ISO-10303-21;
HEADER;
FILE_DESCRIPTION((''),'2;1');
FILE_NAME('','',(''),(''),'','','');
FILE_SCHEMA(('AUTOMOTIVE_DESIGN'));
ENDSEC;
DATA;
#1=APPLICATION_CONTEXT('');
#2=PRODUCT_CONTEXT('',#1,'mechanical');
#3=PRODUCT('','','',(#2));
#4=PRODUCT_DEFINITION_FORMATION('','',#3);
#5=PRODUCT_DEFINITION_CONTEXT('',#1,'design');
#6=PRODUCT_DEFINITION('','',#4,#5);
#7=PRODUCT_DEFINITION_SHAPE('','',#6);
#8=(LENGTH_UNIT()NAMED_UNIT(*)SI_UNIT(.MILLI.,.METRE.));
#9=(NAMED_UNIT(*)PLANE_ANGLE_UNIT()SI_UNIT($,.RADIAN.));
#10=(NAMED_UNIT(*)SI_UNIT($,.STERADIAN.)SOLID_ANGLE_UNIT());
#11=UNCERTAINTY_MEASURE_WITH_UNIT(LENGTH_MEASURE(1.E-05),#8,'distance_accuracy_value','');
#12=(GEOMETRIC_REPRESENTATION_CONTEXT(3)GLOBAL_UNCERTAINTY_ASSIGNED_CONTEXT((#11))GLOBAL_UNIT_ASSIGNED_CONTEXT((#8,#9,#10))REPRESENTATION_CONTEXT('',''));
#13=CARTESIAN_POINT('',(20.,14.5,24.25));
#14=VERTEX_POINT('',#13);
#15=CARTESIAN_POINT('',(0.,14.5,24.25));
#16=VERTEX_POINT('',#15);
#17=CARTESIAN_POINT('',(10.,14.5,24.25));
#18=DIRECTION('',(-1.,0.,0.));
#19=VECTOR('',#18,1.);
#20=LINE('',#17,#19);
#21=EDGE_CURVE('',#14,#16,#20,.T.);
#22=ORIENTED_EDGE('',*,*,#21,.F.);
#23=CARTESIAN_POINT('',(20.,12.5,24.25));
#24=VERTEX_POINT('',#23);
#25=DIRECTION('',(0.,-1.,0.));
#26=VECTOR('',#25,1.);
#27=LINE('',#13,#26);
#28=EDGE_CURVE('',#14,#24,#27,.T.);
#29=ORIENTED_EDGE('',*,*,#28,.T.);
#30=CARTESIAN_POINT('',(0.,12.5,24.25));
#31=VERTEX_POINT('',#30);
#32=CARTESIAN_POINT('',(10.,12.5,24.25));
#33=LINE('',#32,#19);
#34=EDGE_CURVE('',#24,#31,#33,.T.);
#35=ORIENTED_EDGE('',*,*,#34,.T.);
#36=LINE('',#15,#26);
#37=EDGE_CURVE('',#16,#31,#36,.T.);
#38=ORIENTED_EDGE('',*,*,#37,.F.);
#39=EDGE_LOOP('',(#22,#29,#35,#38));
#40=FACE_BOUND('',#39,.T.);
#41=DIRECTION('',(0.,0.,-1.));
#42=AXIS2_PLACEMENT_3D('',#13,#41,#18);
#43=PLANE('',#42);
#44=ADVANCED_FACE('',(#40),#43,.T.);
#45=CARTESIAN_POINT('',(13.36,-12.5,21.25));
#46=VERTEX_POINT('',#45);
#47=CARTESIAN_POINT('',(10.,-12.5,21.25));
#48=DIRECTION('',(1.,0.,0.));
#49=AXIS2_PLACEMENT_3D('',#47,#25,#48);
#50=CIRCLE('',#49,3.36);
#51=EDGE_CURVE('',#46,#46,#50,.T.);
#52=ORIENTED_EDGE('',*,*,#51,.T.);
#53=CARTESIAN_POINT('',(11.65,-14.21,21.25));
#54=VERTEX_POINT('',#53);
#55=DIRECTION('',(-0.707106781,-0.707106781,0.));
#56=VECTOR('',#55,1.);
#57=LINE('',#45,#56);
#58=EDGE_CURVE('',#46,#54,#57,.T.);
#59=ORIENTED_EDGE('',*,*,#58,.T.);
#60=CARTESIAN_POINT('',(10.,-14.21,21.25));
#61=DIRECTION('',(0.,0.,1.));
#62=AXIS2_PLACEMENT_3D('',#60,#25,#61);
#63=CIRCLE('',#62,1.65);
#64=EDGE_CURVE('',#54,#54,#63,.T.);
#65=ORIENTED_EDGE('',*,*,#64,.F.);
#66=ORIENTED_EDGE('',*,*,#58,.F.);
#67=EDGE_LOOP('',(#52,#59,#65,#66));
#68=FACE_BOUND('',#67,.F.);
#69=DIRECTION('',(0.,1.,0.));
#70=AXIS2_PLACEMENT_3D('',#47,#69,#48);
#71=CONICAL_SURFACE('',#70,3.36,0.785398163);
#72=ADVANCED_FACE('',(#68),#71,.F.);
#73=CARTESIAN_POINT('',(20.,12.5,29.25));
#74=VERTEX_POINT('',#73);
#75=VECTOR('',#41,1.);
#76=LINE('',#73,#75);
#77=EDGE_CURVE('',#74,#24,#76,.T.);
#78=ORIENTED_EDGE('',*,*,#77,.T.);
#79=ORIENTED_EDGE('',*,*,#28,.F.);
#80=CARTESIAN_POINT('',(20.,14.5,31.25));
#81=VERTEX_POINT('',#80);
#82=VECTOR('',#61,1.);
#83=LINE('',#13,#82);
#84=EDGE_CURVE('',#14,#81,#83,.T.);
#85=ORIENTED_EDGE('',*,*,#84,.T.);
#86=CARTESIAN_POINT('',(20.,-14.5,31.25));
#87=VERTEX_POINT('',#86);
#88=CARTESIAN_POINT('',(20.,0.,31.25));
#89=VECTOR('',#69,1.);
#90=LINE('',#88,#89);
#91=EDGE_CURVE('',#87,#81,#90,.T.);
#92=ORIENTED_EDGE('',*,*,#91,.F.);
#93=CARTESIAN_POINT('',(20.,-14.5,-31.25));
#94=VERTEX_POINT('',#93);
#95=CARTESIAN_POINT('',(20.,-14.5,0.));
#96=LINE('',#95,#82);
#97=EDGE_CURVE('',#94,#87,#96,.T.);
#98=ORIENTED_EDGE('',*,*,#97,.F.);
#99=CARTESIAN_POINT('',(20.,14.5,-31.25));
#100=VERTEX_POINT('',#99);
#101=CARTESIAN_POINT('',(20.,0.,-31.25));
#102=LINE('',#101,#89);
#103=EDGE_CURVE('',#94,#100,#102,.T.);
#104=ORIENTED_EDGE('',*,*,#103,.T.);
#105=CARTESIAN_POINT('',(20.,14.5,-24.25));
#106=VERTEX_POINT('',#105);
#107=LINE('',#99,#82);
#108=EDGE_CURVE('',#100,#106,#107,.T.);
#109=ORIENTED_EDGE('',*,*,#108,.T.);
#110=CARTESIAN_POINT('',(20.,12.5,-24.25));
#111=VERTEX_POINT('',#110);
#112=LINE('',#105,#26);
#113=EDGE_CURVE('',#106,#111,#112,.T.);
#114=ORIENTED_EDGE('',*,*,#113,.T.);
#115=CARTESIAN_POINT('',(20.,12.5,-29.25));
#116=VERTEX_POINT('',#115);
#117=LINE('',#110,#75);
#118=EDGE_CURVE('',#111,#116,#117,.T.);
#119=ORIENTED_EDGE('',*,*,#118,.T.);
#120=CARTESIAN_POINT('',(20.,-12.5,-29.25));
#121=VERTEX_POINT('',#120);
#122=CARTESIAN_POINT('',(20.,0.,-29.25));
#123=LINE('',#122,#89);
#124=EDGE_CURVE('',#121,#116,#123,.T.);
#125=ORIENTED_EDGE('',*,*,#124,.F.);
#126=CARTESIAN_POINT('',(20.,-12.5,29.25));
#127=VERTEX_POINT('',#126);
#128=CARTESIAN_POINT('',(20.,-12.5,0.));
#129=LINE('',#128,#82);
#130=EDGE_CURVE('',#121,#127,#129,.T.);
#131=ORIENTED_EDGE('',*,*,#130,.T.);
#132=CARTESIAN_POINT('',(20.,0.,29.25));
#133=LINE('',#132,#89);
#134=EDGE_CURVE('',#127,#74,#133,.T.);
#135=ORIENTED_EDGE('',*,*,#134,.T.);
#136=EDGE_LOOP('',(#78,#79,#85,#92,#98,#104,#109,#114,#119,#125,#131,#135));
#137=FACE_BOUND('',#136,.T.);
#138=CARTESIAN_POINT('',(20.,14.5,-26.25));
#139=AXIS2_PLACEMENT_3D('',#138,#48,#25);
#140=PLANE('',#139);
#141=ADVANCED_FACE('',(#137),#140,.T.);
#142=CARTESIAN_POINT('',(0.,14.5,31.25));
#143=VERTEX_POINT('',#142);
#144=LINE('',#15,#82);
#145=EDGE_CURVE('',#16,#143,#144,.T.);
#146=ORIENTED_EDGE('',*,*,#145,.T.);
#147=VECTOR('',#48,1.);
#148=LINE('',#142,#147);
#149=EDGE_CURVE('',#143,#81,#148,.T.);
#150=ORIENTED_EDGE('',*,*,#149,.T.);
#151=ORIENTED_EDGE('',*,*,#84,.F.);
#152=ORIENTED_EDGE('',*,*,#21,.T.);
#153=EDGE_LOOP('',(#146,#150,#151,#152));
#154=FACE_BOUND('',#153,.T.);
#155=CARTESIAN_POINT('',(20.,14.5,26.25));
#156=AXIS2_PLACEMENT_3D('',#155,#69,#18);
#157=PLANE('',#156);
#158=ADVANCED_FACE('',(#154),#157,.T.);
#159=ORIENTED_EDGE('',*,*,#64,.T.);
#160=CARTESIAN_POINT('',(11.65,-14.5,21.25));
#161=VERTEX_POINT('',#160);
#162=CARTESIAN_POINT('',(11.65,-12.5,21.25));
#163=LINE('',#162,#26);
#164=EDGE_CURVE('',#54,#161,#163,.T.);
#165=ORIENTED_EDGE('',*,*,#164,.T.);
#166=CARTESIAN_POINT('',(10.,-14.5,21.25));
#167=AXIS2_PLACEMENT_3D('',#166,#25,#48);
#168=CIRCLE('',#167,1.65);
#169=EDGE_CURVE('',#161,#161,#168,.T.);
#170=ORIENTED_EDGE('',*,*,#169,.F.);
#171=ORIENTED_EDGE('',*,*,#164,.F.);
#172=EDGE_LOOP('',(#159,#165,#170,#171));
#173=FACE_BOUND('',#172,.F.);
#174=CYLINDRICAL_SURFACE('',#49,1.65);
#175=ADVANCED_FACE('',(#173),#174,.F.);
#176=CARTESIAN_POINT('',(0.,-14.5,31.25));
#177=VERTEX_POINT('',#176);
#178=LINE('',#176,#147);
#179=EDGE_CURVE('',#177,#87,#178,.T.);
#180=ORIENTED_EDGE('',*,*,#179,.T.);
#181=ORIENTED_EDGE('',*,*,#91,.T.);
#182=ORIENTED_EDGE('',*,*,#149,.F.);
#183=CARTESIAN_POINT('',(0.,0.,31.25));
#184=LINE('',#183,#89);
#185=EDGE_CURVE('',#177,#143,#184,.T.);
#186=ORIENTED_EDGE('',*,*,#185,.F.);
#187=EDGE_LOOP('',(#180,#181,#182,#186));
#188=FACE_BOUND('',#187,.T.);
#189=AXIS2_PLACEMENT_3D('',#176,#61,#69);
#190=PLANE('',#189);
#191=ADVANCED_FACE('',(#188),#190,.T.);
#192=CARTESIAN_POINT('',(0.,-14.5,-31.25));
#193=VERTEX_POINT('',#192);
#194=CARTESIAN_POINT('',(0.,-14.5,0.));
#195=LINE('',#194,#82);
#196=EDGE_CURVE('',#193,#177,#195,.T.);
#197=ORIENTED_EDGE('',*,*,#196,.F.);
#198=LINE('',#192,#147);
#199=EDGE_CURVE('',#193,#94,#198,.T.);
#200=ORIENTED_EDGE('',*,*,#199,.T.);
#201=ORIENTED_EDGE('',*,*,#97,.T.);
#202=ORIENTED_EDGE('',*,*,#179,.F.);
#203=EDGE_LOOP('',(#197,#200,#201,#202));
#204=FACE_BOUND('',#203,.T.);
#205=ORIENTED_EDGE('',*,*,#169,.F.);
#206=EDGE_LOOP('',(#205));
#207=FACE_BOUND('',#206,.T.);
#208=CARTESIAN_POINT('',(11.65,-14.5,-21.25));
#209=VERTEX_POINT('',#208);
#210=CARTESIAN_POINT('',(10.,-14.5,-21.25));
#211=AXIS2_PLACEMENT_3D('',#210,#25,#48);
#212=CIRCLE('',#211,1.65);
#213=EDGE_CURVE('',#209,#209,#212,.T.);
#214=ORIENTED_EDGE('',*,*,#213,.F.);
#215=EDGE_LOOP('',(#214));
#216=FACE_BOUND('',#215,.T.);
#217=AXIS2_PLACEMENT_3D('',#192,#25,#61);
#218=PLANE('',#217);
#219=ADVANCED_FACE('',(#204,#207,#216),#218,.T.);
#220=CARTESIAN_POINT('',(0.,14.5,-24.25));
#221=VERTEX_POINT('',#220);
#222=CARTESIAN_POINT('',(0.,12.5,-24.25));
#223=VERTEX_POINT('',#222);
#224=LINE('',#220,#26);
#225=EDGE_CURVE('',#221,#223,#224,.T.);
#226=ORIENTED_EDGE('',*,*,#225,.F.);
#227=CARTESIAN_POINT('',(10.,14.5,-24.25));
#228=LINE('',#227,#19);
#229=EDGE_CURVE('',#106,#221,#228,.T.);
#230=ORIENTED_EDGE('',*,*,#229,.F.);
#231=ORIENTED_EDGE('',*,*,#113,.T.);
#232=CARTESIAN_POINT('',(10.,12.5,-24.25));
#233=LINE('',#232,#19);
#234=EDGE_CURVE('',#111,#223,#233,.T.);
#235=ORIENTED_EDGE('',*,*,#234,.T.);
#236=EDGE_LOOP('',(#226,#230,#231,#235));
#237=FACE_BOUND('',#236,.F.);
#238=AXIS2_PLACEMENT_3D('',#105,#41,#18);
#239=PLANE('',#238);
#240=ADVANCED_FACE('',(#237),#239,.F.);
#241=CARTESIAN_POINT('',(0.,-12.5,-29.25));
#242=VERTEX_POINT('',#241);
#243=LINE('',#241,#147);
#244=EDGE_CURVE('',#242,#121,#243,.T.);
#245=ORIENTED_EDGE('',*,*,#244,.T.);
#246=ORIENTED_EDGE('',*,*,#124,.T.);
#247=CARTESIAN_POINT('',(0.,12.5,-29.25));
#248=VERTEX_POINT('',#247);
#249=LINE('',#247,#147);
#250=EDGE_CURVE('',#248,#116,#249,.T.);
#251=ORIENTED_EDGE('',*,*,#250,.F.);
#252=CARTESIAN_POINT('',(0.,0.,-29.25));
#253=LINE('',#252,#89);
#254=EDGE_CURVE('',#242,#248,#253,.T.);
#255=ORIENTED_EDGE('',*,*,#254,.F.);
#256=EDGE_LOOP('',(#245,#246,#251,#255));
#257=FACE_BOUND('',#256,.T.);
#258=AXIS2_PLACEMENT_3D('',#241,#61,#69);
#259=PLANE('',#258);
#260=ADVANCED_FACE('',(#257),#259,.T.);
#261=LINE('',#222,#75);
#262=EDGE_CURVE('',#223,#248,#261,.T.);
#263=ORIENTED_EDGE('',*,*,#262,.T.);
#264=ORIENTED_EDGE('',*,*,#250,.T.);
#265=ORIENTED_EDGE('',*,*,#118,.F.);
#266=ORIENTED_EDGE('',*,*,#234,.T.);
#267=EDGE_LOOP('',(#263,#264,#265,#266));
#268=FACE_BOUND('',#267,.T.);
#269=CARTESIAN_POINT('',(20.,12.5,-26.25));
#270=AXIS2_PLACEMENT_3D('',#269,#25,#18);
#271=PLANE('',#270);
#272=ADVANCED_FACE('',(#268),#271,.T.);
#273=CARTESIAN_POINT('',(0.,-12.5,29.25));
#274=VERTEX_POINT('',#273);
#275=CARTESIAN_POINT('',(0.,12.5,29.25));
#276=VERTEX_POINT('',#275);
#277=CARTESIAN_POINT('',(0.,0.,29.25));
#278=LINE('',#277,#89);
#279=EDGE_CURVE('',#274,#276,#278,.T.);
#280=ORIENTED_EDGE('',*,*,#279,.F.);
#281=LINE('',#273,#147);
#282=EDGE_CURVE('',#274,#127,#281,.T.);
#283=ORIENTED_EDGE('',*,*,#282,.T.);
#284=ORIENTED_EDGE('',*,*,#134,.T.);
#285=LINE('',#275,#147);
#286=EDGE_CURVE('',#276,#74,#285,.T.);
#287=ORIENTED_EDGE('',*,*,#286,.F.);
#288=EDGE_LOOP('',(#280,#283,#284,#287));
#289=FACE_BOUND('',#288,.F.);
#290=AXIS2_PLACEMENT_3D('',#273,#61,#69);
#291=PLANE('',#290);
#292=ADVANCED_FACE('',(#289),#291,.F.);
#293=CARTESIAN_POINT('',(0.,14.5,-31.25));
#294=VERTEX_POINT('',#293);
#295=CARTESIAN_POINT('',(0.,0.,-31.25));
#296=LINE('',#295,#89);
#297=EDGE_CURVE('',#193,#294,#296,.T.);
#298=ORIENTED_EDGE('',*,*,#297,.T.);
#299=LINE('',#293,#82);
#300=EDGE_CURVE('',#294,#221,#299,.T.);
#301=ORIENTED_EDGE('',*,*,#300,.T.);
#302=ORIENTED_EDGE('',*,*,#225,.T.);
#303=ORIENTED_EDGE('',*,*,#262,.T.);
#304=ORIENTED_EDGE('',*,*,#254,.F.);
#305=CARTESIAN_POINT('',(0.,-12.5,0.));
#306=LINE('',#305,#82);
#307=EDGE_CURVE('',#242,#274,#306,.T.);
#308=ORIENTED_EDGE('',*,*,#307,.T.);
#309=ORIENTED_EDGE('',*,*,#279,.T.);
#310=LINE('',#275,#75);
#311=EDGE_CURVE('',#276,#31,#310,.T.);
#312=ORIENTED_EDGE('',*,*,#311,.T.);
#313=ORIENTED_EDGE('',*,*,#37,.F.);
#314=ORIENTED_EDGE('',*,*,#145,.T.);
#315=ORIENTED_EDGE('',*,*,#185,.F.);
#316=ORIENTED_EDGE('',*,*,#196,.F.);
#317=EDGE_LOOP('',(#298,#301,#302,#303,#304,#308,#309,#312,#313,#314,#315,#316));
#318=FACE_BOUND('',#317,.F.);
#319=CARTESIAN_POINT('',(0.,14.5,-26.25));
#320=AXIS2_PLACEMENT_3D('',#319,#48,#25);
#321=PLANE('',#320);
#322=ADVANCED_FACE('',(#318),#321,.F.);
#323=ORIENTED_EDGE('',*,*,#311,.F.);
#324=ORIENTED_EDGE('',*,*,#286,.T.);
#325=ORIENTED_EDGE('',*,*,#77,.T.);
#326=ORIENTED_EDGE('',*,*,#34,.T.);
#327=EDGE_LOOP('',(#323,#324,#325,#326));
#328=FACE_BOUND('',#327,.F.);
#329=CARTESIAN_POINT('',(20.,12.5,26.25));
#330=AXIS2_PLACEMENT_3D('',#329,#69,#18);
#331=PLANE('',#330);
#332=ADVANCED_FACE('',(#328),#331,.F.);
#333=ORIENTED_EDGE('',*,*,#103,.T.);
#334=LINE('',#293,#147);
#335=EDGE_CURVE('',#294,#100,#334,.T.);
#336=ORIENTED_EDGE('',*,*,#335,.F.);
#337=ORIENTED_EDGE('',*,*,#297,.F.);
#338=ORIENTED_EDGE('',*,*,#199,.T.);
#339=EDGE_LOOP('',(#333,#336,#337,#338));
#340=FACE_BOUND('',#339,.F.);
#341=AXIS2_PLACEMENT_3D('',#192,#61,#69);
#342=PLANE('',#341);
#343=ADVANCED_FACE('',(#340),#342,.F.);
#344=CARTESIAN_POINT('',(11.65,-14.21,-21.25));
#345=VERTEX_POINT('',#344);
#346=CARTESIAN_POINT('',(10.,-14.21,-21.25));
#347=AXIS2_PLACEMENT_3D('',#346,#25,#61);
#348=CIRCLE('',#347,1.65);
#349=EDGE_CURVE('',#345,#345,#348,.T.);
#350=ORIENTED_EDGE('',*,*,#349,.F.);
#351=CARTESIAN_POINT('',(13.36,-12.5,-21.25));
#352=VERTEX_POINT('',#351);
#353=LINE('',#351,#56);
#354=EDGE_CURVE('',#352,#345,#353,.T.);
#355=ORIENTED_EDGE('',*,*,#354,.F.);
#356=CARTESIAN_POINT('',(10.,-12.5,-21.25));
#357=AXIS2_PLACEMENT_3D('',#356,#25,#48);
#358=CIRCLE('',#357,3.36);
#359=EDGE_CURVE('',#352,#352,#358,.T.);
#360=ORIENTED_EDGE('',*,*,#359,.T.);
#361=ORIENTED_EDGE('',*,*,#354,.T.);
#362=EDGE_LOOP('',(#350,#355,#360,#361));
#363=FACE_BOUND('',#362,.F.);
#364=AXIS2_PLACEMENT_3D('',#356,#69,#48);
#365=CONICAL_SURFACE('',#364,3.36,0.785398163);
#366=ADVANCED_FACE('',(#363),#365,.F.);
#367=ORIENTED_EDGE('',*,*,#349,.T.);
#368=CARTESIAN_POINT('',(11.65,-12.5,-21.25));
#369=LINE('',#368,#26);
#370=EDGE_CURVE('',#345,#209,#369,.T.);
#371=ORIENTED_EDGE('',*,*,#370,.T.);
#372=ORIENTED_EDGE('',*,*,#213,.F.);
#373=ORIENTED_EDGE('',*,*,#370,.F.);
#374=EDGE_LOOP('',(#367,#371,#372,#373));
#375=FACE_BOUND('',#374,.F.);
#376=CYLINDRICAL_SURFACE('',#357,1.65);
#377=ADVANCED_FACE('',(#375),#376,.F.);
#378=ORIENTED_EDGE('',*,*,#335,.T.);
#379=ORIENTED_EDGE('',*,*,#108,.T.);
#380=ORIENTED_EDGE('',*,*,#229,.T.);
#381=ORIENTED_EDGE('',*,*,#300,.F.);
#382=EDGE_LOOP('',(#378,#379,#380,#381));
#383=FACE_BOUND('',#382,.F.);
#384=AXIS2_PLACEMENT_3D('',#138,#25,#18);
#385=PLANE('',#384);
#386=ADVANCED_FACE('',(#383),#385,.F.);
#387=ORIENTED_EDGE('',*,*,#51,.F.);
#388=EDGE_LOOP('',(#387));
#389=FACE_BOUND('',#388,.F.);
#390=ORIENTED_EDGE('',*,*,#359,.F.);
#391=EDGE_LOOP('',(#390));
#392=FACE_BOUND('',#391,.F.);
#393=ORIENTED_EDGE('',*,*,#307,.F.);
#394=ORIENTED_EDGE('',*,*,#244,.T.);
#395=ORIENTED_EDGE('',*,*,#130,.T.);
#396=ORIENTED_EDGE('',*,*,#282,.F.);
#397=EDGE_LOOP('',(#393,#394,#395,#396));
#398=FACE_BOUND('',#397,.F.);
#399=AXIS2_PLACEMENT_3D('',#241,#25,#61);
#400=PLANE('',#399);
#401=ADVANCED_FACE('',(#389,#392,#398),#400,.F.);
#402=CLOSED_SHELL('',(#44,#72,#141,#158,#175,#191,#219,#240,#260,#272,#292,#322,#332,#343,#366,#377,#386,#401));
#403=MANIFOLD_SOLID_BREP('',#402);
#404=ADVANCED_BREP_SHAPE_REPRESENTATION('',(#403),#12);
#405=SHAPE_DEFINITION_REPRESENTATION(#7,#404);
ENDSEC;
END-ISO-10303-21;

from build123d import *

# Parameters (mm, degrees)
F0_W           = 29
F0_H           = 62.5
F0_W_2         = 25
F0_H_2         = 58.5
F1_DEPTH       = 20
F2_W           = 20
F2_H           = 52.5
F3_DEPTH       = 2
F5_D           = 3.3
F5_CSINK_D     = 6.72
F5_CSINK_ANGLE = 90
F6_DEPTH       = 2
F7_DEPTH       = 2


with BuildPart() as f1:
    # F0 (on Right) → F1 (new body)
    with BuildSketch(Plane.YZ):
        Rectangle(F0_W, F0_H)
        Rectangle(F0_W_2, F0_H_2, mode=Mode.SUBTRACT)
    extrude(amount=F1_DEPTH)

    # F2 (on face) → F3 (cut)
    with BuildSketch(Plane(origin=(0, 14.5, 0), x_dir=(-1, 0, 0), z_dir=(0, 1, 0))):
        with Locations((-10, 0)):
            Rectangle(F2_W, F2_H)
    extrude(amount=-F3_DEPTH, mode=Mode.SUBTRACT)

    # F5 (through all)
    with Locations(Plane(origin=(0, -12.5, 0), x_dir=(-1, 0, 0), z_dir=(0, 1, 0))):
        with Locations((-10, 21.25), (-10, -21.25)):
            CounterSinkHole(F5_D / 2, F5_CSINK_D / 2, counter_sink_angle=F5_CSINK_ANGLE)

    # F6 (add): a face of the model
    f6_faces = [f1.faces().sort_by_distance(p)[0] for p in [
        (10, 13.5, 26.25),
    ]]
    extrude(f6_faces, amount=F6_DEPTH)

    # F7 (add): a face of the model
    f7_faces = [f1.faces().sort_by_distance(p)[0] for p in [
        (10, 13.5, -26.25),
    ]]
    extrude(f7_faces, amount=F7_DEPTH)


solid = f1.part
